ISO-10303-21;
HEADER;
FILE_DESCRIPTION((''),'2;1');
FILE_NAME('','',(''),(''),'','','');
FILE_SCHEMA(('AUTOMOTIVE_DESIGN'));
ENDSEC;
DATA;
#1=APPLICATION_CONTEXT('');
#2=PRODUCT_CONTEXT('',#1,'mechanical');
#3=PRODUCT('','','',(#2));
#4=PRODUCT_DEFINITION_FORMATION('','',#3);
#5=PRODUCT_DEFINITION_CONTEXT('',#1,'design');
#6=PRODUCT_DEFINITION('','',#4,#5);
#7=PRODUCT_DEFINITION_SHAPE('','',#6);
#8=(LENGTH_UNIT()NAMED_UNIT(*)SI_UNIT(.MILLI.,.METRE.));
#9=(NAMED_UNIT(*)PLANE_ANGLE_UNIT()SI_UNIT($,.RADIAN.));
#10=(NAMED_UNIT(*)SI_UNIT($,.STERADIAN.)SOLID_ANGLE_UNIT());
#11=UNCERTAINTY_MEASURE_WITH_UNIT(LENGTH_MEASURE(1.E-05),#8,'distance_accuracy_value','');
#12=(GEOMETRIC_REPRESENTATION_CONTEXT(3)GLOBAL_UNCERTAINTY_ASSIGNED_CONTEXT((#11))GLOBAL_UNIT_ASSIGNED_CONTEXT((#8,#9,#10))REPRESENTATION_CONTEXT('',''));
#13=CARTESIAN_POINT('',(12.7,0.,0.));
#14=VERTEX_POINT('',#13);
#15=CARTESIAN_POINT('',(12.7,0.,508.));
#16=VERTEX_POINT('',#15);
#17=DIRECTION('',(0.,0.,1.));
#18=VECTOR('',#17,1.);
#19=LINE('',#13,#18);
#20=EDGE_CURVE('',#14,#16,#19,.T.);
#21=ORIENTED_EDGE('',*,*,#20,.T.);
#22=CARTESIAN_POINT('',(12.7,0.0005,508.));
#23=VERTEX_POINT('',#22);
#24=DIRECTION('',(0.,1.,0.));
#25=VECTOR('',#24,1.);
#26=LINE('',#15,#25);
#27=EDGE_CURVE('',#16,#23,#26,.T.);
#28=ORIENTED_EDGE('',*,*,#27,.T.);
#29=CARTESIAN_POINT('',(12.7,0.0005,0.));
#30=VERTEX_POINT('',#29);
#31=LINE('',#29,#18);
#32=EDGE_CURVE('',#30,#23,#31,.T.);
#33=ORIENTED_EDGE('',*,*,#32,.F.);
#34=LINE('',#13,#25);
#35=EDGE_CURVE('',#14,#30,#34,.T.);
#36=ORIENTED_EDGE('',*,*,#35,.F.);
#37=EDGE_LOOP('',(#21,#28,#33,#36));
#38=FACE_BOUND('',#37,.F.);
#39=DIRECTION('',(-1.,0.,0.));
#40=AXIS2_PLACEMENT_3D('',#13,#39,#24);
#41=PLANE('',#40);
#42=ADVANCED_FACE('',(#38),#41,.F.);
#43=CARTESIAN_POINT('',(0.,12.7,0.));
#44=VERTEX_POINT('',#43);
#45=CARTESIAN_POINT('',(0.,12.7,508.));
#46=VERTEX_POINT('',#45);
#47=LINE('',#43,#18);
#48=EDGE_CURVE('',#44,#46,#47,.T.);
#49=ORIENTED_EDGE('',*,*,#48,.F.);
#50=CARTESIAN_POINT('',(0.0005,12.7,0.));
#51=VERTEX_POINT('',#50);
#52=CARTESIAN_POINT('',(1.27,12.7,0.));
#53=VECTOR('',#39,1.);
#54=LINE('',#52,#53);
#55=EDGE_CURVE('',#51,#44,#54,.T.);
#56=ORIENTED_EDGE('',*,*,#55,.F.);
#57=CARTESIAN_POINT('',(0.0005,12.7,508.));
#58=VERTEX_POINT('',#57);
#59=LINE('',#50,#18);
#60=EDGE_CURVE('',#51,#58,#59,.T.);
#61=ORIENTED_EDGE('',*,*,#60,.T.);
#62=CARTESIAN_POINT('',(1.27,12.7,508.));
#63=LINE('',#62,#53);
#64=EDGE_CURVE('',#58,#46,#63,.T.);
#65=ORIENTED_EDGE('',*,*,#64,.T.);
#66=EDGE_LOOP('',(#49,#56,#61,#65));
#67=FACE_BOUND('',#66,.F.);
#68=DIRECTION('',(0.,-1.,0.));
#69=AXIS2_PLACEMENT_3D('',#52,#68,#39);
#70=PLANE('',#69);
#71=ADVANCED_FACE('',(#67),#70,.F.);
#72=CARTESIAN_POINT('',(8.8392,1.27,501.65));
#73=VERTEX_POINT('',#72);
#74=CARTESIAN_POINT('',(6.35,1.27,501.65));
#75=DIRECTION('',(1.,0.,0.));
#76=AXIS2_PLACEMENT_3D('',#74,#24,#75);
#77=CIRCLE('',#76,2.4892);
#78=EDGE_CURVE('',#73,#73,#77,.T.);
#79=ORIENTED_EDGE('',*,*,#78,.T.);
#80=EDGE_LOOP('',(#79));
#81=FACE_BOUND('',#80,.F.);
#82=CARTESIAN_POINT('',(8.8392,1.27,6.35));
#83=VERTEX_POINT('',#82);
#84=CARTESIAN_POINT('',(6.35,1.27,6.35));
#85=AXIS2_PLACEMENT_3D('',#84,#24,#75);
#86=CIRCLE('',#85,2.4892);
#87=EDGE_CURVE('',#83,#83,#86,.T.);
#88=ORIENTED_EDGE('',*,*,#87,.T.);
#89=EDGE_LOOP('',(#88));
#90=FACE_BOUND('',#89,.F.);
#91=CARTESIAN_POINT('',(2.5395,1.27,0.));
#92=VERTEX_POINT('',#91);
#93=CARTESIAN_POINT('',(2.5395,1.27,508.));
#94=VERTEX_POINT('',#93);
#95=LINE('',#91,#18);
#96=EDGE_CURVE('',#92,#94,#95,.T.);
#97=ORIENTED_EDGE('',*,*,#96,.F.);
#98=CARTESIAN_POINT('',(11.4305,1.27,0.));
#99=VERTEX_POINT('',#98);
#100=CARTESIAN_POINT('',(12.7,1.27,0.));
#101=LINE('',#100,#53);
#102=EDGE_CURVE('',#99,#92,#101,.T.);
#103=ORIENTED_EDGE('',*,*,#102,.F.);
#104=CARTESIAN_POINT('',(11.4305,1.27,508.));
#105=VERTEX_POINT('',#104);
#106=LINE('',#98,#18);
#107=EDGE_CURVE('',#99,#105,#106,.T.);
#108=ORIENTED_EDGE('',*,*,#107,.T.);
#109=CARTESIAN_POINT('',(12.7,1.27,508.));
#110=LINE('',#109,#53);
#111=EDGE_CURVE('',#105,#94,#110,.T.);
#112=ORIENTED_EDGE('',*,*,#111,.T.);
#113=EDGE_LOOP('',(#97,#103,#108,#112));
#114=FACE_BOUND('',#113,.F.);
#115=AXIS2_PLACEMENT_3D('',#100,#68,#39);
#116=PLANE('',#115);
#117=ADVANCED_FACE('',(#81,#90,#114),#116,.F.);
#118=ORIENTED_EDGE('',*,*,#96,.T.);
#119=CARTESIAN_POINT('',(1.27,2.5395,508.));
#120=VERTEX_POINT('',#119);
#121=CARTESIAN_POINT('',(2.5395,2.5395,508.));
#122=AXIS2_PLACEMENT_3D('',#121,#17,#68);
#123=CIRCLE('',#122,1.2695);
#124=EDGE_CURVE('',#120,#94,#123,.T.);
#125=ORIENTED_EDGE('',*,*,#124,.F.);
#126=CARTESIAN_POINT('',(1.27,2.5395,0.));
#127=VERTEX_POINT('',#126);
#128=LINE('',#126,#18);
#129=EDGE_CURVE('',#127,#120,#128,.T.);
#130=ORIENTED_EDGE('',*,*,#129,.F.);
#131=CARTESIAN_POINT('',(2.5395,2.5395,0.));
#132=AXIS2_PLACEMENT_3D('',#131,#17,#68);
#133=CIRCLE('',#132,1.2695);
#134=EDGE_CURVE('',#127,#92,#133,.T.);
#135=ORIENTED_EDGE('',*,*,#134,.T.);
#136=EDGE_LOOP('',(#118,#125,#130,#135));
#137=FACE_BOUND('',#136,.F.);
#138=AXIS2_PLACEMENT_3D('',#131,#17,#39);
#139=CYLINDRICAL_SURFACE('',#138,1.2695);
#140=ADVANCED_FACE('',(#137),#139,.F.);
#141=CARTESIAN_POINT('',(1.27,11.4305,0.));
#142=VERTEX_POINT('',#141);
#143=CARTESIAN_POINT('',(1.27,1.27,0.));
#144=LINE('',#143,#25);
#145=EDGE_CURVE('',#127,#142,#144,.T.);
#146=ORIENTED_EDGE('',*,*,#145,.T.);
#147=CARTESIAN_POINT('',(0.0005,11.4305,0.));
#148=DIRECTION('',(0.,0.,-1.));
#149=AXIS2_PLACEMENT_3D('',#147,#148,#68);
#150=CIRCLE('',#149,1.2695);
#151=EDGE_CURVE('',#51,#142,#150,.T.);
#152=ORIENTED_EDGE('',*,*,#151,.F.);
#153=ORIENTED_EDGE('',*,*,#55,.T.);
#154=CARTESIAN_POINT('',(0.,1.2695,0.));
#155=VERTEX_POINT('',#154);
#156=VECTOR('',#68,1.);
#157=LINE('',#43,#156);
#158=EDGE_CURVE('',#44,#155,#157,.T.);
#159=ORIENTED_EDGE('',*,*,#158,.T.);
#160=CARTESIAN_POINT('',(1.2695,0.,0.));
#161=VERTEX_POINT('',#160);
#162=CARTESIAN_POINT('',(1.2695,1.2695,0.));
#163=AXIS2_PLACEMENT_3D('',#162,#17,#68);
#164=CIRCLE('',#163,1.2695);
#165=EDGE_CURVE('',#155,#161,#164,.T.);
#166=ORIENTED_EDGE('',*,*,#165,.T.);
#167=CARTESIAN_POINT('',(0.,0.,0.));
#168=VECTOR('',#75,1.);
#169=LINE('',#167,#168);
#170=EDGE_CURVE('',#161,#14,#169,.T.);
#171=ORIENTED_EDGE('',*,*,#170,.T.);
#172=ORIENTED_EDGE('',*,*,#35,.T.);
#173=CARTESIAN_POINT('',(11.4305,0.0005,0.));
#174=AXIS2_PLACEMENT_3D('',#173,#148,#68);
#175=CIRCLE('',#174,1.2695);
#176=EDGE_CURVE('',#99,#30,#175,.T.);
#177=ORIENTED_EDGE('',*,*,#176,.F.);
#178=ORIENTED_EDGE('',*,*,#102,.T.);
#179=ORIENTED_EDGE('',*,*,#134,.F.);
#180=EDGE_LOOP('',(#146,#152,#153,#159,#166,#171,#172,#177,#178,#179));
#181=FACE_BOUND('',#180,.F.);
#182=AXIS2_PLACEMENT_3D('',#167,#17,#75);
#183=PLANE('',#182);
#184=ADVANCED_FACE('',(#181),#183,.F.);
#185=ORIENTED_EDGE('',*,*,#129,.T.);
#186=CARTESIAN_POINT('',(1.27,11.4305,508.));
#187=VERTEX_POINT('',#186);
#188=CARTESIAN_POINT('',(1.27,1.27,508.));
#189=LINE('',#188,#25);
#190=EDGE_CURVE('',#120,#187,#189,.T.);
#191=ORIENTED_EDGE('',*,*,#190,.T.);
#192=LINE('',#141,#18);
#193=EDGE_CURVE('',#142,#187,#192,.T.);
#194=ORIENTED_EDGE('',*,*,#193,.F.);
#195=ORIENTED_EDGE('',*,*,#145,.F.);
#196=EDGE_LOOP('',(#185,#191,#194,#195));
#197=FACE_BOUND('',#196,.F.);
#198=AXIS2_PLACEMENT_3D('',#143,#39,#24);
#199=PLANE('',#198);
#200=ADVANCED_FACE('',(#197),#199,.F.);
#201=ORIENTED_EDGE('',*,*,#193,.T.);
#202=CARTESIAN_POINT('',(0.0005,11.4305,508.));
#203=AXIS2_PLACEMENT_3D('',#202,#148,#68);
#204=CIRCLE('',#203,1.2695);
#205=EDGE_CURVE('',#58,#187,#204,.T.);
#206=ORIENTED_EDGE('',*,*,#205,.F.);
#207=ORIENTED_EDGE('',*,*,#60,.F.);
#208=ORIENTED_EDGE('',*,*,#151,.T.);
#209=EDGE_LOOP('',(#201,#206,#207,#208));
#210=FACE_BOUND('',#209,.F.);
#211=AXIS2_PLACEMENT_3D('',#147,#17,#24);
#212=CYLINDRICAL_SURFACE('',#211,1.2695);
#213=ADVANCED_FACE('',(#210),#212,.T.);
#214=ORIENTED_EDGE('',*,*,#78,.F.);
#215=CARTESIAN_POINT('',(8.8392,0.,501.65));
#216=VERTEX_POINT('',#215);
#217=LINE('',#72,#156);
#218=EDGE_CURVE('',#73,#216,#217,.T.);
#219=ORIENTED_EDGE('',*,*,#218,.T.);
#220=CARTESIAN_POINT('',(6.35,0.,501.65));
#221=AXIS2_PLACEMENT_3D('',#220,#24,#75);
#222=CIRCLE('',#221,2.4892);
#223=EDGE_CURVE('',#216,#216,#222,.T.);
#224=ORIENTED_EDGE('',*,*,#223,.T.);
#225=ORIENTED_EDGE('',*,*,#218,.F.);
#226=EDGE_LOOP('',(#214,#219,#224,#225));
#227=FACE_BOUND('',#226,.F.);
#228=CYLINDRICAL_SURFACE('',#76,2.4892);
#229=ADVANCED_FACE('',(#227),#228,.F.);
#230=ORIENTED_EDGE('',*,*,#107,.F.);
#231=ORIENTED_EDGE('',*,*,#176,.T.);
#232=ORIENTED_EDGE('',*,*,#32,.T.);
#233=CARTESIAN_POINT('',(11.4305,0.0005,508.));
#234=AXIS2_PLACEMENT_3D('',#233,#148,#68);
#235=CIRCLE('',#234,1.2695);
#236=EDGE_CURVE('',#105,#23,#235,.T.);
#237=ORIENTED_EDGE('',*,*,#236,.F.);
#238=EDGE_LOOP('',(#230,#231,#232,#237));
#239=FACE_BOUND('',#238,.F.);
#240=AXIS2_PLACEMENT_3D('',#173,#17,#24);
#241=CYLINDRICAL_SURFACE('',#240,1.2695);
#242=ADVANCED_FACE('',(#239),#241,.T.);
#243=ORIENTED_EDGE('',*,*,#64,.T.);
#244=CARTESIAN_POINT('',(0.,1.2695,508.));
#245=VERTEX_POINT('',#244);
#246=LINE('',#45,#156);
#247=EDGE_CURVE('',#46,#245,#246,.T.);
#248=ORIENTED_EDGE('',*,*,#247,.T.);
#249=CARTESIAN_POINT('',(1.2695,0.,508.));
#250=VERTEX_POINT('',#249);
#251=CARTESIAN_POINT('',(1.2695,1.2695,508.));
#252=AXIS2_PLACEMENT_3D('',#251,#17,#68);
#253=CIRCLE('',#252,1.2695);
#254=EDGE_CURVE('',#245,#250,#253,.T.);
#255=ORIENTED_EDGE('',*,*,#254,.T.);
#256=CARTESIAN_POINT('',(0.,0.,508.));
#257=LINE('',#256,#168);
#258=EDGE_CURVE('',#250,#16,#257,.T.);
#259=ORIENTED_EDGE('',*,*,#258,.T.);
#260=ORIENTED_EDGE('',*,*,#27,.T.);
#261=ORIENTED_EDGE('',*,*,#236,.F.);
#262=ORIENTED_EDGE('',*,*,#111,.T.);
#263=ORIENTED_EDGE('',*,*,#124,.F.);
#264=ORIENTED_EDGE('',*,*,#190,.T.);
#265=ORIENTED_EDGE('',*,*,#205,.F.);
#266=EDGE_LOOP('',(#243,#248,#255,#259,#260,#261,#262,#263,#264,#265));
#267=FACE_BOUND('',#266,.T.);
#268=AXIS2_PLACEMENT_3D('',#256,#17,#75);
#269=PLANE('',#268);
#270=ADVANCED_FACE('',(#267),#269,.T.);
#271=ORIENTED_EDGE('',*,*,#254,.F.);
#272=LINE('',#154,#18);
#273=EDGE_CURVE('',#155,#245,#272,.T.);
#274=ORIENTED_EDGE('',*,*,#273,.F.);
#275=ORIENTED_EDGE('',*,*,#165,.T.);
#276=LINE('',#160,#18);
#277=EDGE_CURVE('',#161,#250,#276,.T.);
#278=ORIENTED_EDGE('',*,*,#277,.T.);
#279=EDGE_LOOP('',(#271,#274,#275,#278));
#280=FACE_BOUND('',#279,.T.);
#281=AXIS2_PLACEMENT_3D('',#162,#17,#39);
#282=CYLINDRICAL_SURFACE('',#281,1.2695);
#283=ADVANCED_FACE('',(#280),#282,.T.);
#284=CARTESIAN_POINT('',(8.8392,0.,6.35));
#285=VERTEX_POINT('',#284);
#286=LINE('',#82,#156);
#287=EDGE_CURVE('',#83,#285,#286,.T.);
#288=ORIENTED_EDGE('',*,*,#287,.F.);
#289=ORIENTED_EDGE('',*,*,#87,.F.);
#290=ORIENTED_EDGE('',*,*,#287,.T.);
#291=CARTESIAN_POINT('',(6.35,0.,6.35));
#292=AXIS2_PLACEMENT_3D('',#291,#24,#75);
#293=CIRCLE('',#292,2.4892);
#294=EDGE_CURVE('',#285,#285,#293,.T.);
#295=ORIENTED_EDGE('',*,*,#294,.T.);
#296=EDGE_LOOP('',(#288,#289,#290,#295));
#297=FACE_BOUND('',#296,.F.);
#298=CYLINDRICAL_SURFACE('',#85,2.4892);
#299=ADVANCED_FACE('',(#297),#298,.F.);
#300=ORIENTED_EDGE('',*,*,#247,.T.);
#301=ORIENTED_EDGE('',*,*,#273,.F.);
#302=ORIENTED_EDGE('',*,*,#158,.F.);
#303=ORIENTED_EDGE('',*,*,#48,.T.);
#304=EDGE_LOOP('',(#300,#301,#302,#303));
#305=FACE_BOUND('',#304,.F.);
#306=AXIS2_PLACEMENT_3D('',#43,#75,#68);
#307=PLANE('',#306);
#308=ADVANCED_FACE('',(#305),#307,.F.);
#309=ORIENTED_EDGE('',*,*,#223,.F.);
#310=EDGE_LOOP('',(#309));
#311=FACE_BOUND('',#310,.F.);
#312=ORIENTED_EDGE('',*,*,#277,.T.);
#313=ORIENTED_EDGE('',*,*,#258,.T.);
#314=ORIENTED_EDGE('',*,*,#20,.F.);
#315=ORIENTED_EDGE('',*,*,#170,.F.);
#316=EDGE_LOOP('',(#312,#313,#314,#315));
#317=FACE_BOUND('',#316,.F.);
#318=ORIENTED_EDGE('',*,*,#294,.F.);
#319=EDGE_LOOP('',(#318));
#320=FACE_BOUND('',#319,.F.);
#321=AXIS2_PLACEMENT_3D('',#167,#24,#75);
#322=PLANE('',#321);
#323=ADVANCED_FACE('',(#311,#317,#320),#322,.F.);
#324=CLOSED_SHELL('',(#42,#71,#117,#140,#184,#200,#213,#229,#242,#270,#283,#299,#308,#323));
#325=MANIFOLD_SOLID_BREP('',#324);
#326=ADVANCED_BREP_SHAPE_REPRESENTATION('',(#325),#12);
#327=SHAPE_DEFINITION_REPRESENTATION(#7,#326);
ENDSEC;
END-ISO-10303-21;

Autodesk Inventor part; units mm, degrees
ref_plane "YZ Plane" through (0, 0, 0) normal (1, 0, 0) x (0, 1, 0)
ref_plane "XZ Plane" through (0, 0, 0) normal (0, 1, 0) x (-1, 0, 0)
ref_plane "XY Plane" through (0, 0, 0) normal (0, 0, 1) x (1, 0, 0)
sketch "Sketch1" plane through (0, 0, 0) normal (0, 0, 1) x (1, 0, 0)
  line L0 (0, 0) -> (12.7, 0)
  line L1 (12.7, 0) -> (12.7, 1.27)
  line L2 (12.7, 1.27) -> (1.27, 1.27)
  line L3 (1.27, 1.27) -> (1.27, 12.7)
  line L4 (1.27, 12.7) -> (0, 12.7)
  line L5 (0, 12.7) -> (0, 0)
  dimension "d0" = 12.7
  dimension "d1" = 1.27
  dimension "d2" = 11.43
extrude "Extrusion1" add sketch "Sketch1" along normal blind 508
fillet "Fillet1" radius 1.27 4 edges at (12.7, 1.27, 254) (1.27, 12.7, 254) (1.27, 1.27, 254) (0, 0, 254)
sketch "Sketch2" plane through (2.54, 1.27, 508) normal (0, 1, 0) x (1, 0, 0)
  line L0 (0, 0) -> (0, 508) projected
  line L1 (8.89, 0) -> (0, 0) projected
  line L2 (8.89, 508) -> (8.89, 0) projected
  circle A0 centre (3.81, 6.35) radius 2.4892
  line L3 (-2.54, 0) -> (-2.54, 508) projected
  line L4 (-2.54, 508) -> (-2.54, 0) projected
  line L5 (8.89, 254) -> (0, 254) construction
  circle A1 centre (3.81, 501.65) radius 2.4892
  dimension "d6" = 4.9784
  dimension "d7" = 6.35
  dimension "d8" = 6.35
extrude "Extrusion2" cut sketch "Sketch2" against normal blind 25.4
properties part number ".05 in Aluminum Angle" material "Aluminum 6061"
